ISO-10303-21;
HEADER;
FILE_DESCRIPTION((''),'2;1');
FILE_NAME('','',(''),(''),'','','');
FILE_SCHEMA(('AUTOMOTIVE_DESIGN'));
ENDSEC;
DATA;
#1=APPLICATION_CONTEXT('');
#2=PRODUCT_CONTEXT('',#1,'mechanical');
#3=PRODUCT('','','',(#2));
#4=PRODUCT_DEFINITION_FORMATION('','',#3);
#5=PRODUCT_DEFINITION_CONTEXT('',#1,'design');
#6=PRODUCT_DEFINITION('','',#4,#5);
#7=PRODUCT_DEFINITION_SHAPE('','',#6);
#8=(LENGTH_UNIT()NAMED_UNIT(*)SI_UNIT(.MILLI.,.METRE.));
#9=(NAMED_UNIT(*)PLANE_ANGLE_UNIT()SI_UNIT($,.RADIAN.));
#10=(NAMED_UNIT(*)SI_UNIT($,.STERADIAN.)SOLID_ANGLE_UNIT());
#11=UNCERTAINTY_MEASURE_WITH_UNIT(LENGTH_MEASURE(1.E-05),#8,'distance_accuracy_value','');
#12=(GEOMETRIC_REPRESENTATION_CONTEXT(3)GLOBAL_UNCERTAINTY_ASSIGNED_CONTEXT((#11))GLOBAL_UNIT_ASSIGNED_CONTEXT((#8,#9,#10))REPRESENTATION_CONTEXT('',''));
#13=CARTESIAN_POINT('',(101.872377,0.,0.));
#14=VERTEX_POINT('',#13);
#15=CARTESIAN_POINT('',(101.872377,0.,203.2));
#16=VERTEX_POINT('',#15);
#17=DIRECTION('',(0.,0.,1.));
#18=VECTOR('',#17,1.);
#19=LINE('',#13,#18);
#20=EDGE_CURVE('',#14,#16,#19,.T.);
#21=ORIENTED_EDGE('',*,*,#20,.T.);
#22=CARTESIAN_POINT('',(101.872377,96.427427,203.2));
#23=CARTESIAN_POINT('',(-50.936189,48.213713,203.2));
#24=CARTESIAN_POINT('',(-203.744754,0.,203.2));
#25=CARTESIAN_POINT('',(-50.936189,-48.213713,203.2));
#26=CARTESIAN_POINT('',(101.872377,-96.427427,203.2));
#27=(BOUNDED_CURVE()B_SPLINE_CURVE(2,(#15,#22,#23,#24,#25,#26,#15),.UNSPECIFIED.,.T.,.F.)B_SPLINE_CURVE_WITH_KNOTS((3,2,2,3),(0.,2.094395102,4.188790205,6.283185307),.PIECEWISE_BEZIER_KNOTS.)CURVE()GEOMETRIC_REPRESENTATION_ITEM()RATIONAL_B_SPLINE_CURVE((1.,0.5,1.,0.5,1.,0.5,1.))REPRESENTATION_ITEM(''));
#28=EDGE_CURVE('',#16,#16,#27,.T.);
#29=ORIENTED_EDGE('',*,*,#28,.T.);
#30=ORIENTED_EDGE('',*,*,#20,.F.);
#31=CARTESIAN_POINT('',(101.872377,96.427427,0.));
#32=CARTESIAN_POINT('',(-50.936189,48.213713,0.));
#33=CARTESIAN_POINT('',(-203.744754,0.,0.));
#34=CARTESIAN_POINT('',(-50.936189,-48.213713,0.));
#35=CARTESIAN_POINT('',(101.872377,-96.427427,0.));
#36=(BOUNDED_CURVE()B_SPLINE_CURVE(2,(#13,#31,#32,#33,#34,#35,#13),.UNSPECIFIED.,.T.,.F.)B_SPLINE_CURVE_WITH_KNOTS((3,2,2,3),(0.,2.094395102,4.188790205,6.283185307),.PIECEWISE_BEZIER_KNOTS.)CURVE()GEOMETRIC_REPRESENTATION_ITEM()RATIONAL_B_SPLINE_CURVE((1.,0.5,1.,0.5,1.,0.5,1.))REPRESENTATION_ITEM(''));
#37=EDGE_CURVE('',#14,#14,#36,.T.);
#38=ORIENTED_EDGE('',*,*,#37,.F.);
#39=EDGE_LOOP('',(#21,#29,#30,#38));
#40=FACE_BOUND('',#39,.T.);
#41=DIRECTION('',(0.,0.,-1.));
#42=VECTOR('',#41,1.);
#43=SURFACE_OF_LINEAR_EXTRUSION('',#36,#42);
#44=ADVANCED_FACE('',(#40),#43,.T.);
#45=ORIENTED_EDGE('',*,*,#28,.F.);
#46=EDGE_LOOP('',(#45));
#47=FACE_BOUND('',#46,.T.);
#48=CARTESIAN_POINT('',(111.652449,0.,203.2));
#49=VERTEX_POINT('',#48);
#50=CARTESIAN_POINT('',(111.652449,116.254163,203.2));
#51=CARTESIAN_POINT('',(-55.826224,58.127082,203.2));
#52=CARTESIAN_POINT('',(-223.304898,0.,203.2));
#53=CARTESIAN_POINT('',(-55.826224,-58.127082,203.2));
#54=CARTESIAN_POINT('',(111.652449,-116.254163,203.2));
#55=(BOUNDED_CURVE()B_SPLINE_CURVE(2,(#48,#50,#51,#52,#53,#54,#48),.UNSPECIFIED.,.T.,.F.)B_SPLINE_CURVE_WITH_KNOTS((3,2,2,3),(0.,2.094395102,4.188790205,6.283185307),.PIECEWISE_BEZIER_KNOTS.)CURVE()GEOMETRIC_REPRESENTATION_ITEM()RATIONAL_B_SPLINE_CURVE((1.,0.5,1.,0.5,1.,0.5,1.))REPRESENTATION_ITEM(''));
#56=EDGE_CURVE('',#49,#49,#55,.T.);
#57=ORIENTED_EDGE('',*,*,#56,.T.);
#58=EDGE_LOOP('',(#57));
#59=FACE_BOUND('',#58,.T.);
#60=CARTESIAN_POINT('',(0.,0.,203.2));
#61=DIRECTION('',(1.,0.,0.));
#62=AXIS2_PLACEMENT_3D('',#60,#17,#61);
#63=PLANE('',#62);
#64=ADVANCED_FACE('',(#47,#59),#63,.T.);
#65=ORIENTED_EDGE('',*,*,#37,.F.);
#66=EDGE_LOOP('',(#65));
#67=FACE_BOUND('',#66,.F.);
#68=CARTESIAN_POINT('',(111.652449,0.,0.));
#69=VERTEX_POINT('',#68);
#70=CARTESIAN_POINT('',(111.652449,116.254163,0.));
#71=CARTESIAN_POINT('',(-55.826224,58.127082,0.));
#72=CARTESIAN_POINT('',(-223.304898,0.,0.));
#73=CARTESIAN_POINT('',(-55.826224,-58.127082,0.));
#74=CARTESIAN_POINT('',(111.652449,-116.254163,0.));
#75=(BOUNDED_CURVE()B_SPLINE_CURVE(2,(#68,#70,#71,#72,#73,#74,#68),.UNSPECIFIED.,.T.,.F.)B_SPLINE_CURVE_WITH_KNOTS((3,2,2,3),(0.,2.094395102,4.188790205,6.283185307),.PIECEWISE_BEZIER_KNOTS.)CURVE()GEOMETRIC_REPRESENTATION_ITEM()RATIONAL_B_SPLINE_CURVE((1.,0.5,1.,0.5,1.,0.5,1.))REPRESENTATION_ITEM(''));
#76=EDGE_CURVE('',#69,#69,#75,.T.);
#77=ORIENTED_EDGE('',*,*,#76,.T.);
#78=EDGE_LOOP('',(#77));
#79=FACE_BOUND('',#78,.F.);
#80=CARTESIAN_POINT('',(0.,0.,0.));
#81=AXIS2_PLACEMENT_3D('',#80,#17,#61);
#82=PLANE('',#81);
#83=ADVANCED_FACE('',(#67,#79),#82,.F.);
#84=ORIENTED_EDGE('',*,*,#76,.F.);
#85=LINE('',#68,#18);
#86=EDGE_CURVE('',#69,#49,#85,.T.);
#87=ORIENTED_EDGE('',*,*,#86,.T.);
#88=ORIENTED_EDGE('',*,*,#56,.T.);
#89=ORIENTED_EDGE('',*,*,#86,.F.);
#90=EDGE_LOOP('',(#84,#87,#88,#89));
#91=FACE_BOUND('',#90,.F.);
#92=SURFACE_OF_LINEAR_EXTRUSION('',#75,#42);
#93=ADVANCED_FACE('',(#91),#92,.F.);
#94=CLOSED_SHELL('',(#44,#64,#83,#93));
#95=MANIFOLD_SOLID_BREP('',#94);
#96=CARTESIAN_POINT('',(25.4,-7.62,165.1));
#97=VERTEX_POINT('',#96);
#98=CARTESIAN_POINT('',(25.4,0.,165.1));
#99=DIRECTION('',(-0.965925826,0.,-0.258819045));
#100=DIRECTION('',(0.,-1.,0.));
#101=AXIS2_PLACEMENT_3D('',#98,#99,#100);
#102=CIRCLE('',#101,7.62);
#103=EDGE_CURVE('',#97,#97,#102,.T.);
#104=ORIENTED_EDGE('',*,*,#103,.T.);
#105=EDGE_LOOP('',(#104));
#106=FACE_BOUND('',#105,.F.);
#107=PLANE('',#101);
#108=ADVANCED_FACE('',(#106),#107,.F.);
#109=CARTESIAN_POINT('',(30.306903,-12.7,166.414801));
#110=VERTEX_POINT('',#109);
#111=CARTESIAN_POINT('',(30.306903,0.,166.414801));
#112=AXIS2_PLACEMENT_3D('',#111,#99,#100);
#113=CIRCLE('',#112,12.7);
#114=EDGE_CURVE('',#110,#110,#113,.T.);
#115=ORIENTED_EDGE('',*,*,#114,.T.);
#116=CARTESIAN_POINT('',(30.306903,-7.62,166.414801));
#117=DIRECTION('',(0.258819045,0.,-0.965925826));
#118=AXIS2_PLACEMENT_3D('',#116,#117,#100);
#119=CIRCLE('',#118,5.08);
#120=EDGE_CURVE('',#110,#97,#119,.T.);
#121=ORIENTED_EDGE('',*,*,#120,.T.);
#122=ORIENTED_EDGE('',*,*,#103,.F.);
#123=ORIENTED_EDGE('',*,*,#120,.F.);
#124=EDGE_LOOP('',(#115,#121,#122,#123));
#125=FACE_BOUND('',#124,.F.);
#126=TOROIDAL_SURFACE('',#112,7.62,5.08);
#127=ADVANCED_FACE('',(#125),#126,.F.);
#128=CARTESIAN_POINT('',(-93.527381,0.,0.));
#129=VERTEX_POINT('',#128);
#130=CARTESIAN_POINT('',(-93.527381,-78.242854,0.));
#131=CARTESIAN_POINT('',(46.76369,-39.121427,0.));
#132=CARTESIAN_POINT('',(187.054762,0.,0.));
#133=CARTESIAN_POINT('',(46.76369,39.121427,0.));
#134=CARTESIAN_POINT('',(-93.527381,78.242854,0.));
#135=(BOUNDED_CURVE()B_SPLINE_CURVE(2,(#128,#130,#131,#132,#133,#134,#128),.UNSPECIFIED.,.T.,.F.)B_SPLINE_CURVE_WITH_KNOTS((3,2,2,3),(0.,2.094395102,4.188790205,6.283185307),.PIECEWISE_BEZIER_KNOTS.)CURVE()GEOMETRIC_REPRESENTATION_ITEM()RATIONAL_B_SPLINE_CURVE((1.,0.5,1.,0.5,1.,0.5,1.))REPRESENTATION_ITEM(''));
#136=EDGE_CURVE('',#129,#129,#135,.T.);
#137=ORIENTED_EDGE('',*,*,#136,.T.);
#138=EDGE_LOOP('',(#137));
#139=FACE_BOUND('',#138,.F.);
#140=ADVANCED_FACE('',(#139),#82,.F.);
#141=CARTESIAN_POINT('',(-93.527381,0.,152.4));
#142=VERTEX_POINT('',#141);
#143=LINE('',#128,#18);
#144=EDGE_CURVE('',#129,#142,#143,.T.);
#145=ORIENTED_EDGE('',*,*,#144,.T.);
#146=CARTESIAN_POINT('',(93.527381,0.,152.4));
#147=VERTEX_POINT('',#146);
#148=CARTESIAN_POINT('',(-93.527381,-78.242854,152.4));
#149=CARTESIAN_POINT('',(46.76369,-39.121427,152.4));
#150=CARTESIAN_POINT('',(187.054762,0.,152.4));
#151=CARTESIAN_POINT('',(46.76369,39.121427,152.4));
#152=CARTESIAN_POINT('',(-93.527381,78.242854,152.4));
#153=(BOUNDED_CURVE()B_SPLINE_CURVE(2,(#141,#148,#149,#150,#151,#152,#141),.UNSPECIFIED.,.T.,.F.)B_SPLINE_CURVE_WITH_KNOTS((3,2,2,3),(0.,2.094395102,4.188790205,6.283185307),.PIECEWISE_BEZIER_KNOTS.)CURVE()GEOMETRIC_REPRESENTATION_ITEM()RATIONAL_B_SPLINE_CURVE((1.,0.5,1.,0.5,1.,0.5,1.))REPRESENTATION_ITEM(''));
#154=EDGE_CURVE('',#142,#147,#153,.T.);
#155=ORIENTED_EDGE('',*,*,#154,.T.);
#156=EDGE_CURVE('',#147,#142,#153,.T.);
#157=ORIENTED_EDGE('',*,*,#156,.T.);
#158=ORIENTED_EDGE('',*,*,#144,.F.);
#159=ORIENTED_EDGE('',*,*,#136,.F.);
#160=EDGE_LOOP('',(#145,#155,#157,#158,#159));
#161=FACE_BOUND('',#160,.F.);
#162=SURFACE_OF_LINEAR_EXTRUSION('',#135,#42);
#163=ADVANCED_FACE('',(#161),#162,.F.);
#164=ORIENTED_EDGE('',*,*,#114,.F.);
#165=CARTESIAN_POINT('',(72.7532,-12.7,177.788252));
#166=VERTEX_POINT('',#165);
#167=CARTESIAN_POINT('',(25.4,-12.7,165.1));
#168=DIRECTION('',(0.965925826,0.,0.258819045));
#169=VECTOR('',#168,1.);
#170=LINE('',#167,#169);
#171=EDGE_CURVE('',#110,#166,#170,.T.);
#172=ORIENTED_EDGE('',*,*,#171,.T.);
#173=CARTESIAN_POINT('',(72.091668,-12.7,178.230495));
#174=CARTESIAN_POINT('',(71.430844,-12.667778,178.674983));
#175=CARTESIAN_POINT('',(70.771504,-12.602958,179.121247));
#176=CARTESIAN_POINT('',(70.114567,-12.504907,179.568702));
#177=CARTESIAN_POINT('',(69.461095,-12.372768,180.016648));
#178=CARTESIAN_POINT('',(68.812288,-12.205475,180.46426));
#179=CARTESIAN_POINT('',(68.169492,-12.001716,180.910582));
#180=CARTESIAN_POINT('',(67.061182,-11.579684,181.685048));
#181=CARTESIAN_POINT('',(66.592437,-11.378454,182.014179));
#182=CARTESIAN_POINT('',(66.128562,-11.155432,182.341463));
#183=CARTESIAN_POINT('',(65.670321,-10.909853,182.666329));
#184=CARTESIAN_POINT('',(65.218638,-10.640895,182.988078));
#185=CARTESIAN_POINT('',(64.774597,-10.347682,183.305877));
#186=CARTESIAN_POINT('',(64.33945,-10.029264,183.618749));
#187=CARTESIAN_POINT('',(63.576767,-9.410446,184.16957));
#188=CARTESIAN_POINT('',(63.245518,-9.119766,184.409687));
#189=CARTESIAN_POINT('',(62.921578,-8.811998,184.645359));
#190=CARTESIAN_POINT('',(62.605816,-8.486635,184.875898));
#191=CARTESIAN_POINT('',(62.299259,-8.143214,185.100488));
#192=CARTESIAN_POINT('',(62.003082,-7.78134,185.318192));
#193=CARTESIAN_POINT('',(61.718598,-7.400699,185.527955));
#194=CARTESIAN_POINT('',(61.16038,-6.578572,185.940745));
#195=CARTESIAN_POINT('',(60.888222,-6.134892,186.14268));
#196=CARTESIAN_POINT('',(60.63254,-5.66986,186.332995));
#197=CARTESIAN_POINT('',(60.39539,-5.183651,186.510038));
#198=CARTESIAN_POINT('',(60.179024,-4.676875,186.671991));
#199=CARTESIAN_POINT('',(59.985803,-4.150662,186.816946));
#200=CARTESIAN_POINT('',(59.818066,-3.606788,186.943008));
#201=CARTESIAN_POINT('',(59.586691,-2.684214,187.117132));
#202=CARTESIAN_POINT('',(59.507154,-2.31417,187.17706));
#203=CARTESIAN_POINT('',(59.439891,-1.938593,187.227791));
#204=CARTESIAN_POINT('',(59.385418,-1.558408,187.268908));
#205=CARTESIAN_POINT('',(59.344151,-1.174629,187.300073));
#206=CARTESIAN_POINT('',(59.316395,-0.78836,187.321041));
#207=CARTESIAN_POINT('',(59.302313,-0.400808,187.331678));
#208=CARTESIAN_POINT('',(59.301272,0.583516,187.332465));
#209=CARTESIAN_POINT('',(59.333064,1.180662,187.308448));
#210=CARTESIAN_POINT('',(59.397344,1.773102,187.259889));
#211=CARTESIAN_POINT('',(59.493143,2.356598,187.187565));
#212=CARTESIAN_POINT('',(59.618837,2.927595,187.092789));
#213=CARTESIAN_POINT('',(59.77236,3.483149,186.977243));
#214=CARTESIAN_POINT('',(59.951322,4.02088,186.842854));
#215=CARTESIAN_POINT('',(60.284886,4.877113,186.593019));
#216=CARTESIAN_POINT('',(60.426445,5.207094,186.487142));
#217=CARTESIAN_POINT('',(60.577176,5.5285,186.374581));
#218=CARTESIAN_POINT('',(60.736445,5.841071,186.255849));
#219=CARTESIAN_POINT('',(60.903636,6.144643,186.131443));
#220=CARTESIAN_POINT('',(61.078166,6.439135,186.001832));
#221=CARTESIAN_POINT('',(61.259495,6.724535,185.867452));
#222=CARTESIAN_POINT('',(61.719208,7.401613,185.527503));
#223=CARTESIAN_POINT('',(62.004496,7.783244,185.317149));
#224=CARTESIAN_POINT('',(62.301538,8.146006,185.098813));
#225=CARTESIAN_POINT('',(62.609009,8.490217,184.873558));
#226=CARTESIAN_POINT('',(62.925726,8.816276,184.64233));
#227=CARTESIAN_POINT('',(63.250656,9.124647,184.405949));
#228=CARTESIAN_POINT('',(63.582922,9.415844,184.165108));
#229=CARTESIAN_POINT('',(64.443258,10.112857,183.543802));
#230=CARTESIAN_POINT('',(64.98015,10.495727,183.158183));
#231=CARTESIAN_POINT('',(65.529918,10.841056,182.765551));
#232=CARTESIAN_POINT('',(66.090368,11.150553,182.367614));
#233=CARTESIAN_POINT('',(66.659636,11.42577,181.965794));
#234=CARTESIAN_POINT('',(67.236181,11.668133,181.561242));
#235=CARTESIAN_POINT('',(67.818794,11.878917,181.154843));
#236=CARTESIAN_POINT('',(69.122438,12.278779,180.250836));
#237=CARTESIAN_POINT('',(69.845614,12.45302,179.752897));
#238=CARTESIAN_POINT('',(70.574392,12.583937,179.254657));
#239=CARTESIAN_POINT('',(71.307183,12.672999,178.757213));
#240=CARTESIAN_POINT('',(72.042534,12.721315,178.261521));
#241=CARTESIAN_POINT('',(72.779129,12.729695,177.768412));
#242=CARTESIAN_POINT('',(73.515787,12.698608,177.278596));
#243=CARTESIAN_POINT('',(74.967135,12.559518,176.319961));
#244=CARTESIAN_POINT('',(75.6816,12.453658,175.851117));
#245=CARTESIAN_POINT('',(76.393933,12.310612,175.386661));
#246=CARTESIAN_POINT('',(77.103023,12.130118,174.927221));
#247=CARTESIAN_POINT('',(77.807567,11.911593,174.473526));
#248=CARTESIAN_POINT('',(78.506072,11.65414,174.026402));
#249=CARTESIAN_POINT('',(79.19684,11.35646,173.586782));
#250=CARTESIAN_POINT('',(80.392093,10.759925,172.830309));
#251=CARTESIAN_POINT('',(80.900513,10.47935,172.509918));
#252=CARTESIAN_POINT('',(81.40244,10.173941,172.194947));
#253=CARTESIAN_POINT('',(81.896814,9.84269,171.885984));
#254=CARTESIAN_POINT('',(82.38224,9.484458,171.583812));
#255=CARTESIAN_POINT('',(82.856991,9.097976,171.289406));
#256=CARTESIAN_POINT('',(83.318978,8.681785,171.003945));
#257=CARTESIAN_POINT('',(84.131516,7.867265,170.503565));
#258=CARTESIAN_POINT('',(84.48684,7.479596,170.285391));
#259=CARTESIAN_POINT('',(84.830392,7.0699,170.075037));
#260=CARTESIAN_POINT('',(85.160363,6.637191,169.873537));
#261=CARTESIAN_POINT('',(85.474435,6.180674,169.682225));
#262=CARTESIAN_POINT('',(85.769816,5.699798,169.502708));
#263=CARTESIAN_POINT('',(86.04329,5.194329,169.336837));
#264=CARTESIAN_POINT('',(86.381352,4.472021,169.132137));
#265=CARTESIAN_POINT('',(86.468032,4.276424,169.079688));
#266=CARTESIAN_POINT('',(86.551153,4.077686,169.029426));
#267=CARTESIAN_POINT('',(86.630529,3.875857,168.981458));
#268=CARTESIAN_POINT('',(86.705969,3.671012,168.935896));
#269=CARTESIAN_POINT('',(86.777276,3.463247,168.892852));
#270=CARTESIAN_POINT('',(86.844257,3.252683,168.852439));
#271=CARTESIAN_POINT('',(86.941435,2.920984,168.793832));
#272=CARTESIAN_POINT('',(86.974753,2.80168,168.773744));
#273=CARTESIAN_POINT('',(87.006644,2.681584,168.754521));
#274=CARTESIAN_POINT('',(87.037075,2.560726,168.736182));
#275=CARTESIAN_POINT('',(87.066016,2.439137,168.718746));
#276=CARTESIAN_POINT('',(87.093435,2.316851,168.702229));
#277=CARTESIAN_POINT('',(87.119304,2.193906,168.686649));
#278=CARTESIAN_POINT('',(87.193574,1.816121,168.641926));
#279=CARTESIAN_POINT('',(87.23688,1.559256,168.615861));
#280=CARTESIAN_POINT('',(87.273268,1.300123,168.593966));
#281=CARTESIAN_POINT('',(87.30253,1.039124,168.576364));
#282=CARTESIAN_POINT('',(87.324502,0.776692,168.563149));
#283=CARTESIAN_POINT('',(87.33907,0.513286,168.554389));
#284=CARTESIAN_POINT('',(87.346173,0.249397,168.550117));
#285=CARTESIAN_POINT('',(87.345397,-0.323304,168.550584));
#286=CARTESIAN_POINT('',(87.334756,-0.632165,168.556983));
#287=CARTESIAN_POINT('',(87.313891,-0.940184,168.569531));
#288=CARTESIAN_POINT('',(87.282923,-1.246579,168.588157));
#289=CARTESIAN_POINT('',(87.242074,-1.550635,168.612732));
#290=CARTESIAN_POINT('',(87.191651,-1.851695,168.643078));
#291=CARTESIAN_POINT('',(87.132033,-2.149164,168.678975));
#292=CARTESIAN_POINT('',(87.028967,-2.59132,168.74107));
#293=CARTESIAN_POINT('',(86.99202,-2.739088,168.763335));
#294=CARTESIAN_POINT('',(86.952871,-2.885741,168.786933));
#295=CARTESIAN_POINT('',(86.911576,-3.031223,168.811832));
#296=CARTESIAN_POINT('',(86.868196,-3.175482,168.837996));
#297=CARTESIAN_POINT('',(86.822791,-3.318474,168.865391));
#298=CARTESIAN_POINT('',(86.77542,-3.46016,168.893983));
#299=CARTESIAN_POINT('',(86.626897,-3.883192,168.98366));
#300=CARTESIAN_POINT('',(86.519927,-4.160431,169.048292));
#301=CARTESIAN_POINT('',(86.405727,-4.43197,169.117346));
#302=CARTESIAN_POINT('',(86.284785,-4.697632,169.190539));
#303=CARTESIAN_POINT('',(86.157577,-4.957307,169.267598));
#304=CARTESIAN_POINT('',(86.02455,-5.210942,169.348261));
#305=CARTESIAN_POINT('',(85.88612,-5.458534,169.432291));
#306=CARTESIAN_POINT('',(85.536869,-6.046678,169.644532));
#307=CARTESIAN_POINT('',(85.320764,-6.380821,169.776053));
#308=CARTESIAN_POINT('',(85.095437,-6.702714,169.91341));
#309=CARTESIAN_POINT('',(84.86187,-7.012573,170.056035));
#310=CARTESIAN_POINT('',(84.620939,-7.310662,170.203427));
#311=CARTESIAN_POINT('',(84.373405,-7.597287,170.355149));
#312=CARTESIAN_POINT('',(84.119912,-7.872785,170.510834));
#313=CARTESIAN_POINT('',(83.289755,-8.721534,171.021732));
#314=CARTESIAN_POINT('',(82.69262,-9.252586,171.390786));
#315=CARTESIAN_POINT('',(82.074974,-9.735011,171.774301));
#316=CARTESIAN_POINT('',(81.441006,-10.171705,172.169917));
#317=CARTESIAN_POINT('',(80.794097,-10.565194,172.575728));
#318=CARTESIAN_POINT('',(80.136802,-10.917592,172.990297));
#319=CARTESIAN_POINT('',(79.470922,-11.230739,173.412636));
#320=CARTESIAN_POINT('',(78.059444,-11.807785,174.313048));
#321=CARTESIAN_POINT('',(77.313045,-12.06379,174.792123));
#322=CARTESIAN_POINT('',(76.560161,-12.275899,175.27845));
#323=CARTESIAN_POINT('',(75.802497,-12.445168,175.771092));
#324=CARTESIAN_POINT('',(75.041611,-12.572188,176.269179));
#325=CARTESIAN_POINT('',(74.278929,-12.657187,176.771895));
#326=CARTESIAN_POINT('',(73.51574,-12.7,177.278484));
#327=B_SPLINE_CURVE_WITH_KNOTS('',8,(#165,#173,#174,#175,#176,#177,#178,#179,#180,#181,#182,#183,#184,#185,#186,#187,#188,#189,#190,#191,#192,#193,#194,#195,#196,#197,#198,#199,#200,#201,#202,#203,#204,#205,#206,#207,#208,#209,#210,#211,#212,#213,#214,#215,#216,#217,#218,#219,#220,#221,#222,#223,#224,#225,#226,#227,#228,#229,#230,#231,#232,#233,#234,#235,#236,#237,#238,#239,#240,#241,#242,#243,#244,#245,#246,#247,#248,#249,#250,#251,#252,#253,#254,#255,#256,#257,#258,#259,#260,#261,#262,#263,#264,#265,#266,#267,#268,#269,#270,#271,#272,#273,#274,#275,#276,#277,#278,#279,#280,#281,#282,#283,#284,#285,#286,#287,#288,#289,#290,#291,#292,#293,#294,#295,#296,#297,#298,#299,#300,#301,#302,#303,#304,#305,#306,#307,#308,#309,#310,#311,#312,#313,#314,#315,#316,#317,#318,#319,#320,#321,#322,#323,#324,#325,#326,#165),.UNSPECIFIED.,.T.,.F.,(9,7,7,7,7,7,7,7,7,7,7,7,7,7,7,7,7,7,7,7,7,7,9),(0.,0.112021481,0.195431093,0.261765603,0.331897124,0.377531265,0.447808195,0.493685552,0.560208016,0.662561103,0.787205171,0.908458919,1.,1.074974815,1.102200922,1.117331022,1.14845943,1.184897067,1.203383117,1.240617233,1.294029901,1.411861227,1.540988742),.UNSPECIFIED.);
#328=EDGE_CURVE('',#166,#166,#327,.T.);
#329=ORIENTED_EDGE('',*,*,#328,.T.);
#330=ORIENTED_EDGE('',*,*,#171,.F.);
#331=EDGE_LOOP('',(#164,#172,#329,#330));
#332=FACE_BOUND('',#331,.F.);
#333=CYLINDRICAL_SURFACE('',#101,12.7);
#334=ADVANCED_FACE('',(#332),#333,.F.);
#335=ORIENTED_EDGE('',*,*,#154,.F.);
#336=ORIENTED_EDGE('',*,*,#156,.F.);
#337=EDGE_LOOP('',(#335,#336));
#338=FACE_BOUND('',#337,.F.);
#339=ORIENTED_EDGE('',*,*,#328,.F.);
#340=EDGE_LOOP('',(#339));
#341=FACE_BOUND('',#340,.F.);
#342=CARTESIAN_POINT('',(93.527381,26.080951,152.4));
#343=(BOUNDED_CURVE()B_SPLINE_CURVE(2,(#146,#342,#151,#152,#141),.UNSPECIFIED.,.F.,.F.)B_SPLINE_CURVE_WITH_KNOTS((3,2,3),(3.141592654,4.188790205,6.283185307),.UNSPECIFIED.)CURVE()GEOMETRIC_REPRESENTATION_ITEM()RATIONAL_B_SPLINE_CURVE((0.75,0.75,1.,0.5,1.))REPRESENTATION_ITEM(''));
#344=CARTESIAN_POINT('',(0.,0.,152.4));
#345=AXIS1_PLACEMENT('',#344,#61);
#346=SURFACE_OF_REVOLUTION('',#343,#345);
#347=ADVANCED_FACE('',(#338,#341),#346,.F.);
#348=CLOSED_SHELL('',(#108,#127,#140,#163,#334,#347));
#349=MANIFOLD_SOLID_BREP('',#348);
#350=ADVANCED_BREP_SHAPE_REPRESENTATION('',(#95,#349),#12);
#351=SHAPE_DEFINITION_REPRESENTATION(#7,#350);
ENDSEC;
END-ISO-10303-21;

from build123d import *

# Parameters (mm, degrees)
F1_DEPTH  = 152.4
F3_DEPTH  = 203.2
F5_ANGLE  = 180
F9_R      = 12.7
F10_DEPTH = 61.7280825368
F11_R     = 5.08


with BuildPart() as f1:
    # F0 (on Top) → F1 (new body)
    with BuildSketch(Plane.XY):
        with BuildLine():
            add(Edge.make_bspline(
                [(-93.5273809366, 0), (-93.5273809366, -78.2428541963), (46.7636904683, -39.1214270982), (187.0547618732, 0), (46.7636904683, 39.1214270982), (-93.5273809366, 78.2428541963), (-93.5273809366, 0)],
                knots=[0, 0, 0, 2.0943951024, 2.0943951024, 4.1887902048, 4.1887902048, 6.2831853072, 6.2831853072, 6.2831853072], degree=2, weights=[1, 0.5, 1, 0.5, 1, 0.5, 1]))
        make_face()
    extrude(amount=F1_DEPTH)

    # F4 (on face) → F5 (revolve)
    with BuildSketch(Plane.XY.offset(152.4)):
        with BuildLine():
            add(Edge.make_bspline(
                [(93.5273809366, 0), (93.5273809366, 26.0809513988), (46.7636904683, 39.1214270982), (-93.5273809366, 78.2428541963), (-93.5273809366, 0)],
                knots=[3.1415926536, 3.1415926536, 3.1415926536, 4.1887902048, 4.1887902048, 6.2831853072, 6.2831853072, 6.2831853072], degree=2, weights=[0.75, 0.75, 1, 0.5, 1]))
            Line((-93.5273809366, 0), (93.5273809366, 0))
        make_face()
    revolve(axis=Axis((0, 0, 152.4), (1, 0, 0)), revolution_arc=F5_ANGLE)

    # F9 (on face) → F10 (cut, up to face)
    with BuildSketch(Plane(origin=(64.9735226281, 0, 17.4096029176), x_dir=(0, -1, 0), z_dir=(-0.9659258263, 0, -0.2588190451))):
        with Locations((0, 152.9003501747)):
            Circle(F9_R)
    extrude(amount=-F10_DEPTH, mode=Mode.SUBTRACT)

    # F11
    f11_edges = [f1.edges().sort_by_distance(p)[0] for p in [
        (25.4, 12.7, 165.1),
    ]]
    fillet(f11_edges, radius=F11_R)


with BuildPart() as f3:
    # F2 (on Top) → F3 (new body)
    with BuildSketch(Plane.XY):
        with BuildLine():
            add(Edge.make_bspline(
                [(111.6524487734, 0), (111.6524487734, 116.2541631171), (-55.8262243867, 58.1270815586), (-223.3048975468, 0), (-55.8262243867, -58.1270815586), (111.6524487734, -116.2541631171), (111.6524487734, 0)],
                knots=[0, 0, 0, 2.0943951024, 2.0943951024, 4.1887902048, 4.1887902048, 6.2831853072, 6.2831853072, 6.2831853072], degree=2, weights=[1, 0.5, 1, 0.5, 1, 0.5, 1]))
        make_face()
        with BuildLine():
            add(Edge.make_bspline(
                [(101.8723770976, 0), (101.8723770976, 96.4274269297), (-50.9361885488, 48.2137134648), (-203.7447541952, 0), (-50.9361885488, -48.2137134648), (101.8723770976, -96.4274269297), (101.8723770976, 0)],
                knots=[0, 0, 0, 2.0943951024, 2.0943951024, 4.1887902048, 4.1887902048, 6.2831853072, 6.2831853072, 6.2831853072], degree=2, weights=[1, 0.5, 1, 0.5, 1, 0.5, 1]))
        make_face(mode=Mode.SUBTRACT)
    extrude(amount=F3_DEPTH)


solid = Compound([f1.part, f3.part])
